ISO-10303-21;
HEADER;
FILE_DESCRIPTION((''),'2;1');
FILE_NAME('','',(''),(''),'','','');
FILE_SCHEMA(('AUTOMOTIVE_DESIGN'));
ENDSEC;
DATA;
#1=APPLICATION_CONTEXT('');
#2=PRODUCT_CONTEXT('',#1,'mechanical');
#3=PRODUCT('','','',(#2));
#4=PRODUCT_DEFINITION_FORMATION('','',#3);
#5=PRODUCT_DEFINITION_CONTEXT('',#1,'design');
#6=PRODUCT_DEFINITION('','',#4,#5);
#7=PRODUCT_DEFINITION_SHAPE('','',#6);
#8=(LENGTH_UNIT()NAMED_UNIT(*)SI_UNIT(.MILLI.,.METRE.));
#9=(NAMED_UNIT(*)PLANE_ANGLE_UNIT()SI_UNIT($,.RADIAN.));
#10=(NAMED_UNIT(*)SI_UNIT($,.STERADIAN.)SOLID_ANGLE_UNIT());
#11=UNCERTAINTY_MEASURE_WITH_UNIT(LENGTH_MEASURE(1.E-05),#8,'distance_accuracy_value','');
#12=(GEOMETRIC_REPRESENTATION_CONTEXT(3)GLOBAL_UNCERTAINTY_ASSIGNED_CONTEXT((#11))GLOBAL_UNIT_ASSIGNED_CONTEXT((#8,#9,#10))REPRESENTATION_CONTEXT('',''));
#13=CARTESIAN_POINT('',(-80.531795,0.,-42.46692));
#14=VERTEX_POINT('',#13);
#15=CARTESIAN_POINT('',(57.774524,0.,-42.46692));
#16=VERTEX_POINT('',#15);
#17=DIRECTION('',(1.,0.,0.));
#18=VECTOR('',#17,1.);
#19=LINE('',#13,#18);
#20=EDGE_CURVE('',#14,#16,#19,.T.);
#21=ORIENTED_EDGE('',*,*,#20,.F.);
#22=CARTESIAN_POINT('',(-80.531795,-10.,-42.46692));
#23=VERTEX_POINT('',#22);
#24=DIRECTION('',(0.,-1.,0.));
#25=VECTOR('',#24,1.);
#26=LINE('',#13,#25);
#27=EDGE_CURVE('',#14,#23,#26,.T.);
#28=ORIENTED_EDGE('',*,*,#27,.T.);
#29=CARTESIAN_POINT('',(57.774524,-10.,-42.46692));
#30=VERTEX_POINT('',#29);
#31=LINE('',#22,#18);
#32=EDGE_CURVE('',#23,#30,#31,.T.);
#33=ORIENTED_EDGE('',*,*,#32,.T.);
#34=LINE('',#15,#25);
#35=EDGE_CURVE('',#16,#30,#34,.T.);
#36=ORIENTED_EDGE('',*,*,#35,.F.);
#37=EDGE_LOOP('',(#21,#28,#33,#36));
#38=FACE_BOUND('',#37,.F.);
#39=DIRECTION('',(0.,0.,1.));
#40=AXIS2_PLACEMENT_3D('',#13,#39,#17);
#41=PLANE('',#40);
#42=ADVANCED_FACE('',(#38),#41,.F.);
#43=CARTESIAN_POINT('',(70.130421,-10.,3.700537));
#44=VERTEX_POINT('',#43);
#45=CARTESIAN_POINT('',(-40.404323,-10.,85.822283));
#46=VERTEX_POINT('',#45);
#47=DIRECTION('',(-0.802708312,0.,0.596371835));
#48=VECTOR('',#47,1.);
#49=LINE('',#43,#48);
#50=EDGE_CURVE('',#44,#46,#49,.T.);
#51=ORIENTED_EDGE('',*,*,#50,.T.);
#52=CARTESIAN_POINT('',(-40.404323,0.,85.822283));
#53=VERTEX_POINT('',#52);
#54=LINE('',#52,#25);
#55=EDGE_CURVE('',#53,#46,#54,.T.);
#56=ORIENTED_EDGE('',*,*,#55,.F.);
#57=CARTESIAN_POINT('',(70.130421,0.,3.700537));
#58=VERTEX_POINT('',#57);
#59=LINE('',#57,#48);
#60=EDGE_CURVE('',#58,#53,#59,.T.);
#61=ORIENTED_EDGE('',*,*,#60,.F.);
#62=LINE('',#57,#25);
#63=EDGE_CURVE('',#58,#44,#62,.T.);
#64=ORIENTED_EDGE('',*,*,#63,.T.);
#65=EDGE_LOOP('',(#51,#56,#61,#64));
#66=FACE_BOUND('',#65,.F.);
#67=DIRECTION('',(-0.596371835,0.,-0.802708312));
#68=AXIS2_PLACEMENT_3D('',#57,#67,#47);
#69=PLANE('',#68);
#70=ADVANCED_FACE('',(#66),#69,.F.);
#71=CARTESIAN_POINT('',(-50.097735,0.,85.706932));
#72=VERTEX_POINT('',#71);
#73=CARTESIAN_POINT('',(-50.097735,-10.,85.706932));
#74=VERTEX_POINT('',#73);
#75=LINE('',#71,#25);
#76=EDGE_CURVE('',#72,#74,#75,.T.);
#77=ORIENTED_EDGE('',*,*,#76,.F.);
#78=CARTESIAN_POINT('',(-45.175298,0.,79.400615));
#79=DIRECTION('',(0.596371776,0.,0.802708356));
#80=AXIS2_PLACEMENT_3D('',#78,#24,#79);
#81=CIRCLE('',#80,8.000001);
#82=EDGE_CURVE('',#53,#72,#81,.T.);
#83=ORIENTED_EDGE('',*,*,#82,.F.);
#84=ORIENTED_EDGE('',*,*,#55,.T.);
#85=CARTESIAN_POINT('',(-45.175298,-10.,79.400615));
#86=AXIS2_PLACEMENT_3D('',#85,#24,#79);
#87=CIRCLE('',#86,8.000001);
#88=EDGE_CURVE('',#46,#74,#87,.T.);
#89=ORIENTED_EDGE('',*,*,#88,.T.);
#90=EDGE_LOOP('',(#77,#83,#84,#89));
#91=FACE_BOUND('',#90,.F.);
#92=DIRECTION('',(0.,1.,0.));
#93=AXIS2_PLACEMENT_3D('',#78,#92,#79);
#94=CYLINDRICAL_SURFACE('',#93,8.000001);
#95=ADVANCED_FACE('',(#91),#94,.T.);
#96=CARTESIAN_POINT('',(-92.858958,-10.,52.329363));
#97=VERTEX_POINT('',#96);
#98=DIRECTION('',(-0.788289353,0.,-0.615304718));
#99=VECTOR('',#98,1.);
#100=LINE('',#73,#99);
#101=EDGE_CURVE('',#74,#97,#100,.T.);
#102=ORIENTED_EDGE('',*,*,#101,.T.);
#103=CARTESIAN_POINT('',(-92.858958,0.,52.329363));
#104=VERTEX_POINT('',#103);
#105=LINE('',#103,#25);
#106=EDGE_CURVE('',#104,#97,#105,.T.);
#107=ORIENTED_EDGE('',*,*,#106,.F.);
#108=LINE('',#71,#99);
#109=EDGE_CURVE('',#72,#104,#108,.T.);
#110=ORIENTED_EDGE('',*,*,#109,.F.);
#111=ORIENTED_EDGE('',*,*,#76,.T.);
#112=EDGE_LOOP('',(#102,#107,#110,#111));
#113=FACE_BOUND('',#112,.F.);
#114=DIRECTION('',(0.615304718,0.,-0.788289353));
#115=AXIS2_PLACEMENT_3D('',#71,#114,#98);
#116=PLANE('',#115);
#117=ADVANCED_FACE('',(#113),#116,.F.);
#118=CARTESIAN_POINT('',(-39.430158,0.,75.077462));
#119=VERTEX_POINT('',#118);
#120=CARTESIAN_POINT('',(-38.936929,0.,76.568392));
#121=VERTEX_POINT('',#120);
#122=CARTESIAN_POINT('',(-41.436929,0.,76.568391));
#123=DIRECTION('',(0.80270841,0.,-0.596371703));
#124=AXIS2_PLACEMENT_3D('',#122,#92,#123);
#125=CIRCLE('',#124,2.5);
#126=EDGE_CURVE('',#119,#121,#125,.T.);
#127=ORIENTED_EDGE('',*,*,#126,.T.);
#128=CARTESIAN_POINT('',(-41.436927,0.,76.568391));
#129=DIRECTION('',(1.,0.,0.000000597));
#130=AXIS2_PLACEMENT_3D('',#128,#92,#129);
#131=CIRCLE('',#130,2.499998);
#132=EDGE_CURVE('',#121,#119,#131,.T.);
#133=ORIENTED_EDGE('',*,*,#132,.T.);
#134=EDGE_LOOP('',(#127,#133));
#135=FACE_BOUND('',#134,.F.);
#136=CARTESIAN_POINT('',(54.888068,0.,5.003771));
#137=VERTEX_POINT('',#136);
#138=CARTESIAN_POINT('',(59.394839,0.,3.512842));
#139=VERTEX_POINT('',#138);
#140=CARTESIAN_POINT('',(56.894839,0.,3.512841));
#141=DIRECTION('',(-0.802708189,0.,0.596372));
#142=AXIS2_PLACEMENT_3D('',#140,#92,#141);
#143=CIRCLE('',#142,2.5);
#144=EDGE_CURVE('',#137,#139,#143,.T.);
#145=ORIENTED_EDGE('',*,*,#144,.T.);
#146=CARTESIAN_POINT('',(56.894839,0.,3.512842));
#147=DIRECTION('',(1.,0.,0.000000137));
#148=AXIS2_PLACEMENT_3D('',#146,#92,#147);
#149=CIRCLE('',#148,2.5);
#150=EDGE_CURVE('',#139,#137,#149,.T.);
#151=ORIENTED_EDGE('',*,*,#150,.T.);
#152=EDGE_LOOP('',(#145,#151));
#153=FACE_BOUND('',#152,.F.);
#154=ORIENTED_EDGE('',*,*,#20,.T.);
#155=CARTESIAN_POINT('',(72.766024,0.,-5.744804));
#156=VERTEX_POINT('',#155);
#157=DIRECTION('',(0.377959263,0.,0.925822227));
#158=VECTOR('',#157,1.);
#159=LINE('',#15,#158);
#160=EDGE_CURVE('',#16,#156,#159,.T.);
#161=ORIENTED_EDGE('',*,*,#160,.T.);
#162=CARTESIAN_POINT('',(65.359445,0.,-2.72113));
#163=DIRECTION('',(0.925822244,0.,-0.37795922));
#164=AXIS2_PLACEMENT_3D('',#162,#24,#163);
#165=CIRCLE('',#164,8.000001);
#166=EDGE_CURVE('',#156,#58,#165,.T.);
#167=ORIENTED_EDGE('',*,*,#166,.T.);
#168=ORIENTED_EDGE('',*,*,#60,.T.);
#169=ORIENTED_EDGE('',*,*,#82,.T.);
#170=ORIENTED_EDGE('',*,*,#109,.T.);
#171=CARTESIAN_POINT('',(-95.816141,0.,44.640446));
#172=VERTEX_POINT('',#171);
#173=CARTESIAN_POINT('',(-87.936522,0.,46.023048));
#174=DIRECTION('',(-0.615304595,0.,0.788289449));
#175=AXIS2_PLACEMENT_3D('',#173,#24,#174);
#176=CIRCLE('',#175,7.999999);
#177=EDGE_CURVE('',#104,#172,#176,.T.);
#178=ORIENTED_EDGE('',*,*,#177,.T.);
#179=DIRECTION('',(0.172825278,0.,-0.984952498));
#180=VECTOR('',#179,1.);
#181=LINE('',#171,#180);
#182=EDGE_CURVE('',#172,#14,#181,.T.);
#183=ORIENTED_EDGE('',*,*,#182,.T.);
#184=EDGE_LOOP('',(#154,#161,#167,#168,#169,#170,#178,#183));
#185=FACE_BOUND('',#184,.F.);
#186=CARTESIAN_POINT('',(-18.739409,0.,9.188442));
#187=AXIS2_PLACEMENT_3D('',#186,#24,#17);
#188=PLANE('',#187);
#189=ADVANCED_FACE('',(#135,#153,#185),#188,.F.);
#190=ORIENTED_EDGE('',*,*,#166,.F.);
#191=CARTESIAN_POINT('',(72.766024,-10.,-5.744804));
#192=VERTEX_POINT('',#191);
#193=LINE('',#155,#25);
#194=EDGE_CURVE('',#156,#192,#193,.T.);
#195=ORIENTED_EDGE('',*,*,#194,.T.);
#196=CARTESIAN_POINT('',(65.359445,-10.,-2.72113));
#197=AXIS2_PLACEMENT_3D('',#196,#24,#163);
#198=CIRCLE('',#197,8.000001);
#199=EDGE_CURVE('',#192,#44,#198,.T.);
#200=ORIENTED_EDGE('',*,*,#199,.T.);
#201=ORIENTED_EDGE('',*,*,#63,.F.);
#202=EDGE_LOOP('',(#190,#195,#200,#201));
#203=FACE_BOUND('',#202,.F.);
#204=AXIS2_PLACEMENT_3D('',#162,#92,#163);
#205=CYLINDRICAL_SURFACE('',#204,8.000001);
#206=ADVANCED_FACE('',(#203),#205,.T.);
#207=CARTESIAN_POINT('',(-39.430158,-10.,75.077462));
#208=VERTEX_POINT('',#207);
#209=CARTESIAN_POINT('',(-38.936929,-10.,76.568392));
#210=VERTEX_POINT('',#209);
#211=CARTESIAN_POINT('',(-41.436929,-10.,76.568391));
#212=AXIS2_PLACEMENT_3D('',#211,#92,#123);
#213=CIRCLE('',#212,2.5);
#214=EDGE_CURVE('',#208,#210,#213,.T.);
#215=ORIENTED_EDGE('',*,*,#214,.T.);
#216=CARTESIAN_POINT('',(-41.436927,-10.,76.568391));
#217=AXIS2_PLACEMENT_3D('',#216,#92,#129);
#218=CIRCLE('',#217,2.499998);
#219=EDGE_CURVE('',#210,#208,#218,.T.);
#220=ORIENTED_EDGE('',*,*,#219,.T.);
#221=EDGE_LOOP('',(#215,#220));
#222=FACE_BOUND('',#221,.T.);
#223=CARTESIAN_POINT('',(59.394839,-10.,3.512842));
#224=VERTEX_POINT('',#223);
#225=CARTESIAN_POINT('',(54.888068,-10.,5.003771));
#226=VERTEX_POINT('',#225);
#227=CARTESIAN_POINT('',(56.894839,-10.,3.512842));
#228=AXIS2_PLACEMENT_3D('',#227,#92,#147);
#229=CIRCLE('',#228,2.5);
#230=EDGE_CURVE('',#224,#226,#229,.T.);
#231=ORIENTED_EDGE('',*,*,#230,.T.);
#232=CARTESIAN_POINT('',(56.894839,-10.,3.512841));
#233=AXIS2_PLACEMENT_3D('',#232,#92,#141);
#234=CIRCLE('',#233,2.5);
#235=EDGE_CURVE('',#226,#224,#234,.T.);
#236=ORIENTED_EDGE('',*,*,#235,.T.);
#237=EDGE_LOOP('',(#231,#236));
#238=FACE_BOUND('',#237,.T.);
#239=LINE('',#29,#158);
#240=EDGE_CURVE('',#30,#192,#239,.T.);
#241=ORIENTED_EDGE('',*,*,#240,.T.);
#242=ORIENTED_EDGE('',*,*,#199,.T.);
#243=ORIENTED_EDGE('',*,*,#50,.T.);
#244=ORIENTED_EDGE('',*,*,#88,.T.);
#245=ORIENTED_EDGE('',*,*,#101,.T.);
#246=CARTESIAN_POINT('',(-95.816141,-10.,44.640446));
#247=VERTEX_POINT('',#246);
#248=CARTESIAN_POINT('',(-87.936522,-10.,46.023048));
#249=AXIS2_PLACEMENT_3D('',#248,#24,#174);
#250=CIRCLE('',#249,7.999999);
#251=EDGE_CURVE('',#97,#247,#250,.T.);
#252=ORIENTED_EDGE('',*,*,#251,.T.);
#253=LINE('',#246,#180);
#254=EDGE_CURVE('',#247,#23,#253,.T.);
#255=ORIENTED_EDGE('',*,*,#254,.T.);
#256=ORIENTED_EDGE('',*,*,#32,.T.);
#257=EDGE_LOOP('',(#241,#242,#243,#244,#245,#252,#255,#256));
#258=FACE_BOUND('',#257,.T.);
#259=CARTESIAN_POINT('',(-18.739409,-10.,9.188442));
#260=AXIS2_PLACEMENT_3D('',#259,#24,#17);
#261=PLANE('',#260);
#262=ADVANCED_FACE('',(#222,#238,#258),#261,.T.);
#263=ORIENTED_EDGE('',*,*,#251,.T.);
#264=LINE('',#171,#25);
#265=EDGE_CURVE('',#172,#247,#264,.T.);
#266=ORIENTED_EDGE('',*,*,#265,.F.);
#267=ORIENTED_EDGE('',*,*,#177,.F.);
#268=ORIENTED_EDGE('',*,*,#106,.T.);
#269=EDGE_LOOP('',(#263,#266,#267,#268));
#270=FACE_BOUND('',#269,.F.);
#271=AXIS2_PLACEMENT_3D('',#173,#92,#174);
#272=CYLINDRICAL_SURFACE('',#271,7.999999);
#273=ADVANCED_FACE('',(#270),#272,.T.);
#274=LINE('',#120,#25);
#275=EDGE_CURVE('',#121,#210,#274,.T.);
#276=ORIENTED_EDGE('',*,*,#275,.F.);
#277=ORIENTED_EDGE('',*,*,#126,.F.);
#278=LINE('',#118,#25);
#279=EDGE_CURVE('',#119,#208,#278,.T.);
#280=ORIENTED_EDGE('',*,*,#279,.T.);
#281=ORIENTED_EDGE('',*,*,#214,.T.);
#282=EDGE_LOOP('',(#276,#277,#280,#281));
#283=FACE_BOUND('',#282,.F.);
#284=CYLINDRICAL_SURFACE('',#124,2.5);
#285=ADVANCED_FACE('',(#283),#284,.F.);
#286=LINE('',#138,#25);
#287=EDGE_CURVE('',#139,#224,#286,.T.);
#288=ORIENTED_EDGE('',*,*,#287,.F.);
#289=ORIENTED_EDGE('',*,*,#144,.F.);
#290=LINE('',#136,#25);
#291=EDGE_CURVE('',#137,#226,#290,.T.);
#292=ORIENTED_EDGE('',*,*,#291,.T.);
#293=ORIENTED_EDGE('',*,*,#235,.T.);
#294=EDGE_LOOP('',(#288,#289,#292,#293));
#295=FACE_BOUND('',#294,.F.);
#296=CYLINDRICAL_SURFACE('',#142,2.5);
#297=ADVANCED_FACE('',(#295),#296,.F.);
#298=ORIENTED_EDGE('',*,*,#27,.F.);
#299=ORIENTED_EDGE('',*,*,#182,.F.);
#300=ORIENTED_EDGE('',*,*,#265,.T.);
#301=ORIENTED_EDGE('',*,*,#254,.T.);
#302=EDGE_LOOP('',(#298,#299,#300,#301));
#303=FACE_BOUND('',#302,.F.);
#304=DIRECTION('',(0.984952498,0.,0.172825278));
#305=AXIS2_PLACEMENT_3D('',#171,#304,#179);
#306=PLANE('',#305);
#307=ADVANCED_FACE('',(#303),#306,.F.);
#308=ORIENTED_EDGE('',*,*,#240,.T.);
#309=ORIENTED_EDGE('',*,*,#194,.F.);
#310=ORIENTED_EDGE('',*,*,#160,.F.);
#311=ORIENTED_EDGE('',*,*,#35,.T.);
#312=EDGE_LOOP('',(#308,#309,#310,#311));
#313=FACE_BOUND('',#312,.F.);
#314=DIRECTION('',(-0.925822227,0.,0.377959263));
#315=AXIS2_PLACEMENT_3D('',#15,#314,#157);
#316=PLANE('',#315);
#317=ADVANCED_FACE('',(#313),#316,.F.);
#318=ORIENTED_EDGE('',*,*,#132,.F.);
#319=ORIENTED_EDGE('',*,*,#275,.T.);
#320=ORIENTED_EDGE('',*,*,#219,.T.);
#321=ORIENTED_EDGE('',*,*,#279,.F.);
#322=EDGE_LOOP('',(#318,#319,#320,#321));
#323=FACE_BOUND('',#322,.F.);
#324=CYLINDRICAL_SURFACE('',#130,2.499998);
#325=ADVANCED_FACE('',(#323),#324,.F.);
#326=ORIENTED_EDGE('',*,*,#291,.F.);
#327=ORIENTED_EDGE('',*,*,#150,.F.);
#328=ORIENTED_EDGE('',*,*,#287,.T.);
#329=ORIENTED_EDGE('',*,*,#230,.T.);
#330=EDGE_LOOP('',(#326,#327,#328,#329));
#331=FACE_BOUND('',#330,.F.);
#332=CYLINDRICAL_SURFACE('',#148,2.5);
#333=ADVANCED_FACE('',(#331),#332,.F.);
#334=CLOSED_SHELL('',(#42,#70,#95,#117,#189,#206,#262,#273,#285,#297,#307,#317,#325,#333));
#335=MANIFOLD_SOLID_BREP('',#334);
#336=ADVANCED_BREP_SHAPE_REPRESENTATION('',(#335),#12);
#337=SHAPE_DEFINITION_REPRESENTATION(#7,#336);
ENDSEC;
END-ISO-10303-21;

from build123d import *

# Parameters (mm, degrees)
F1_DEPTH = 10


with BuildPart() as f1:
    # F0 (on Front) → F1 (new body)
    with BuildSketch(Plane.XZ):
        with BuildLine():
            ThreePointArc((-40.404323, 85.822283), (-45.270491, 87.40005), (-50.097735, 85.706932))
            Line((-50.097735, 85.706932), (-92.858958, 52.329363))
            ThreePointArc((-92.858958, 52.329363), (-95.403316, 48.894802), (-95.816141, 44.640446))
            Line((-95.816141, 44.640446), (-80.531795, -42.46692))
            Line((-80.531795, -42.46692), (57.774524, -42.46692))
            Line((57.774524, -42.46692), (72.766024, -5.744804))
            ThreePointArc((72.766024, -5.744804), (73.065081, -0.570969), (70.130421, 3.700537))
            Line((70.130421, 3.700537), (-40.404323, 85.822283))
        make_face()
        with BuildLine():
            ThreePointArc((59.394839, 3.512842), (56.10964, 1.13935), (54.888068, 5.003771))
            ThreePointArc((54.888068, 5.003771), (57.680037, 5.886333), (59.394839, 3.512842))
        make_face(mode=Mode.SUBTRACT)
        with BuildLine():
            ThreePointArc((-39.430158, 75.077462), (-43.810421, 77.35359), (-38.936929, 76.568392))
            ThreePointArc((-38.936929, 76.568392), (-39.063437, 75.783193), (-39.430158, 75.077462))
        make_face(mode=Mode.SUBTRACT)
    extrude(amount=F1_DEPTH)


solid = f1.part
